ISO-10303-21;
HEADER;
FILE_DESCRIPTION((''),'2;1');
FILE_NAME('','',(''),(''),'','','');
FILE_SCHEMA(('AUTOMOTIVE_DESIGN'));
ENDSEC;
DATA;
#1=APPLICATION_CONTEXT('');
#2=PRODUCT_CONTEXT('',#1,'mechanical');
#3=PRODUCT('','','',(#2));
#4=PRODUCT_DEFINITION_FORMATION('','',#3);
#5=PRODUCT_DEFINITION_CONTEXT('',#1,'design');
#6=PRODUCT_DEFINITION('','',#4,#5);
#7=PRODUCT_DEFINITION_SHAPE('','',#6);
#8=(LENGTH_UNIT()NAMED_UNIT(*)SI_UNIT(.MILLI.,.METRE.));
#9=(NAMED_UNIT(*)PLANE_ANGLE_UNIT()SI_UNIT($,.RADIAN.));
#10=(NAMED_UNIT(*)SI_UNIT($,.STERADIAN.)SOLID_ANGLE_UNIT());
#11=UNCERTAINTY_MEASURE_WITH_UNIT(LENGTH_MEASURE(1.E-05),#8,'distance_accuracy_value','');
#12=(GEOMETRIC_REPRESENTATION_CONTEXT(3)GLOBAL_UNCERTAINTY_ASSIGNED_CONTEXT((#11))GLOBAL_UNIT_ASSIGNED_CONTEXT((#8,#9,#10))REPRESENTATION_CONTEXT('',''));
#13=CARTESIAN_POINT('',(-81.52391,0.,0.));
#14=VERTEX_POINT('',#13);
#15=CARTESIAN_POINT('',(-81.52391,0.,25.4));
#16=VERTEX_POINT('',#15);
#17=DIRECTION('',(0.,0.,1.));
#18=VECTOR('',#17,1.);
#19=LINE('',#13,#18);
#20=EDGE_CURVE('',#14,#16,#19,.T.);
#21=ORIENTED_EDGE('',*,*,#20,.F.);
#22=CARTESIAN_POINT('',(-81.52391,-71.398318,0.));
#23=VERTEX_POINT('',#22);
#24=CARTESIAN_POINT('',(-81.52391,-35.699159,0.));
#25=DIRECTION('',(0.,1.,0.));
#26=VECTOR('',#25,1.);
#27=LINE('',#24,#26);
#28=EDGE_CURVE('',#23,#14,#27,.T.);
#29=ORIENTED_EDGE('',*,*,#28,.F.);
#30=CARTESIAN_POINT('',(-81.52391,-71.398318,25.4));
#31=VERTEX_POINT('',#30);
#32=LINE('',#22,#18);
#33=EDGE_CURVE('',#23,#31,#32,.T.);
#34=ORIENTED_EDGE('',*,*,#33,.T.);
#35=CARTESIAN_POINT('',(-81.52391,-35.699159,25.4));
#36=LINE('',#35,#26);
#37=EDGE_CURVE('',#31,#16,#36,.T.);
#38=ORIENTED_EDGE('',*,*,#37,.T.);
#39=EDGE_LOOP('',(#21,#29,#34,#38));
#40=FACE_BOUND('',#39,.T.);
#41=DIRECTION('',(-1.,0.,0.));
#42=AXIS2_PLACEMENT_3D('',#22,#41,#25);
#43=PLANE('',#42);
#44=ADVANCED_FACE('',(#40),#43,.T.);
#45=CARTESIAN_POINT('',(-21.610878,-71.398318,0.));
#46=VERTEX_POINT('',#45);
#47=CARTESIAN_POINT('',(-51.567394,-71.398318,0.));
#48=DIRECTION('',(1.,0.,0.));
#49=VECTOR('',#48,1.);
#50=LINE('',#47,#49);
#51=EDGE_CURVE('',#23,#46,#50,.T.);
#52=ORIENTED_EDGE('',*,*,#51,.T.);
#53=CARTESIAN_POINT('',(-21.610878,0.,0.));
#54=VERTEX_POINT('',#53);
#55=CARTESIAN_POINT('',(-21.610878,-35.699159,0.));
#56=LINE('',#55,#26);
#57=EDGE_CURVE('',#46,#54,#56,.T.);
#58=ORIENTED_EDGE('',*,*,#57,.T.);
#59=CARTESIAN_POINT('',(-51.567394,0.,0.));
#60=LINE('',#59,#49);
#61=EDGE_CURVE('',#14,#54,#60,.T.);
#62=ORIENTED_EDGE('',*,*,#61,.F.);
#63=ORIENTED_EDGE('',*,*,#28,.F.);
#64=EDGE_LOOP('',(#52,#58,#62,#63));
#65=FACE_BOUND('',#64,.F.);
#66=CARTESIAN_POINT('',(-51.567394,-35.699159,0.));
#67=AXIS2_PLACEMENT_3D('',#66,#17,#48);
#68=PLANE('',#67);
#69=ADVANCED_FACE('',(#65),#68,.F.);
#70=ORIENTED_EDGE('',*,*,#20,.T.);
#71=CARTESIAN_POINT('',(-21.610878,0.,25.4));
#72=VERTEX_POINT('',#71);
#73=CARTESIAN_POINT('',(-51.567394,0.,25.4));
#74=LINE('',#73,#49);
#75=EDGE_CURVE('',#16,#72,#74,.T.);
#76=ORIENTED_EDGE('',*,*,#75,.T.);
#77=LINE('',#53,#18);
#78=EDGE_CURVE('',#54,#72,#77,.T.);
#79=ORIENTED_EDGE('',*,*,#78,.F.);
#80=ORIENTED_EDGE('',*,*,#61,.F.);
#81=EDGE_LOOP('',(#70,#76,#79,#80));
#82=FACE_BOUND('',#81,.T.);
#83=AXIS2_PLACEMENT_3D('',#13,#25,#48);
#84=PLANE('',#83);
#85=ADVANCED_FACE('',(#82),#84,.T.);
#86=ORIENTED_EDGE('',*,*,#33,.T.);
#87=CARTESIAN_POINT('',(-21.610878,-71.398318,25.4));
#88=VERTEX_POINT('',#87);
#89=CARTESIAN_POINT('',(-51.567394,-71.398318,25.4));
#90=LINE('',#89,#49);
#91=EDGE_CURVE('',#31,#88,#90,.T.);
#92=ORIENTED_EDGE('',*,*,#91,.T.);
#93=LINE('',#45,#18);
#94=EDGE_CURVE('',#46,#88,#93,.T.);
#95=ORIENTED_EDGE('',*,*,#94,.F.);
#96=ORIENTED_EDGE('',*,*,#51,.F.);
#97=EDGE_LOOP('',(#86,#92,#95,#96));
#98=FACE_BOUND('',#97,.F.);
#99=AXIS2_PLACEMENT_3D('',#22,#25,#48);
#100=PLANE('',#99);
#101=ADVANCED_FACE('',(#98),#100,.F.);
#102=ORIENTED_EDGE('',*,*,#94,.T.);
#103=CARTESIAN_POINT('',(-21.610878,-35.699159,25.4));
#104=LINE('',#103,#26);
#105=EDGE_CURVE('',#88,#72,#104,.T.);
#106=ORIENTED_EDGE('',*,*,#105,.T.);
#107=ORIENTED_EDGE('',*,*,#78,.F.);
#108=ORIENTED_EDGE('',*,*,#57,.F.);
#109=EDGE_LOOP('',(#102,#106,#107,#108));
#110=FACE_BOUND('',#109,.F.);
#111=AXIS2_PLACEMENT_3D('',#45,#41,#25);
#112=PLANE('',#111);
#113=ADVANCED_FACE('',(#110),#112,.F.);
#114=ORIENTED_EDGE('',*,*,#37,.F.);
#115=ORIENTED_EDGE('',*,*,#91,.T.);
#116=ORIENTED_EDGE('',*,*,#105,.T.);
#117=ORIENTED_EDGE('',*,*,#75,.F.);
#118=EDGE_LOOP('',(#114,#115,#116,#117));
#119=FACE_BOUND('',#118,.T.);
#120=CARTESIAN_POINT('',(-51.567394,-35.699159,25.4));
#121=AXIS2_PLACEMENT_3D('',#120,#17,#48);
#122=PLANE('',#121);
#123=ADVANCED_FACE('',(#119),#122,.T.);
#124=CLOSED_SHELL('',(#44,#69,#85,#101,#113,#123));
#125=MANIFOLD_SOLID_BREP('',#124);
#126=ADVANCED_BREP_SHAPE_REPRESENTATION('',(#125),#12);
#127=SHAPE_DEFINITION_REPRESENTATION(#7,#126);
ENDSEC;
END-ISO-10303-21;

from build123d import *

# Parameters (mm, degrees)
F2_W     = 59.913032
F2_H     = 71.398318
F3_DEPTH = 25.4


with BuildPart() as f3:
    # F2 (on face) → F3 (new body)
    with BuildSketch(Plane.XY):
        with Locations((-51.567394, -35.699159)):
            Rectangle(F2_W, F2_H)
    extrude(amount=F3_DEPTH)


solid = f3.part
